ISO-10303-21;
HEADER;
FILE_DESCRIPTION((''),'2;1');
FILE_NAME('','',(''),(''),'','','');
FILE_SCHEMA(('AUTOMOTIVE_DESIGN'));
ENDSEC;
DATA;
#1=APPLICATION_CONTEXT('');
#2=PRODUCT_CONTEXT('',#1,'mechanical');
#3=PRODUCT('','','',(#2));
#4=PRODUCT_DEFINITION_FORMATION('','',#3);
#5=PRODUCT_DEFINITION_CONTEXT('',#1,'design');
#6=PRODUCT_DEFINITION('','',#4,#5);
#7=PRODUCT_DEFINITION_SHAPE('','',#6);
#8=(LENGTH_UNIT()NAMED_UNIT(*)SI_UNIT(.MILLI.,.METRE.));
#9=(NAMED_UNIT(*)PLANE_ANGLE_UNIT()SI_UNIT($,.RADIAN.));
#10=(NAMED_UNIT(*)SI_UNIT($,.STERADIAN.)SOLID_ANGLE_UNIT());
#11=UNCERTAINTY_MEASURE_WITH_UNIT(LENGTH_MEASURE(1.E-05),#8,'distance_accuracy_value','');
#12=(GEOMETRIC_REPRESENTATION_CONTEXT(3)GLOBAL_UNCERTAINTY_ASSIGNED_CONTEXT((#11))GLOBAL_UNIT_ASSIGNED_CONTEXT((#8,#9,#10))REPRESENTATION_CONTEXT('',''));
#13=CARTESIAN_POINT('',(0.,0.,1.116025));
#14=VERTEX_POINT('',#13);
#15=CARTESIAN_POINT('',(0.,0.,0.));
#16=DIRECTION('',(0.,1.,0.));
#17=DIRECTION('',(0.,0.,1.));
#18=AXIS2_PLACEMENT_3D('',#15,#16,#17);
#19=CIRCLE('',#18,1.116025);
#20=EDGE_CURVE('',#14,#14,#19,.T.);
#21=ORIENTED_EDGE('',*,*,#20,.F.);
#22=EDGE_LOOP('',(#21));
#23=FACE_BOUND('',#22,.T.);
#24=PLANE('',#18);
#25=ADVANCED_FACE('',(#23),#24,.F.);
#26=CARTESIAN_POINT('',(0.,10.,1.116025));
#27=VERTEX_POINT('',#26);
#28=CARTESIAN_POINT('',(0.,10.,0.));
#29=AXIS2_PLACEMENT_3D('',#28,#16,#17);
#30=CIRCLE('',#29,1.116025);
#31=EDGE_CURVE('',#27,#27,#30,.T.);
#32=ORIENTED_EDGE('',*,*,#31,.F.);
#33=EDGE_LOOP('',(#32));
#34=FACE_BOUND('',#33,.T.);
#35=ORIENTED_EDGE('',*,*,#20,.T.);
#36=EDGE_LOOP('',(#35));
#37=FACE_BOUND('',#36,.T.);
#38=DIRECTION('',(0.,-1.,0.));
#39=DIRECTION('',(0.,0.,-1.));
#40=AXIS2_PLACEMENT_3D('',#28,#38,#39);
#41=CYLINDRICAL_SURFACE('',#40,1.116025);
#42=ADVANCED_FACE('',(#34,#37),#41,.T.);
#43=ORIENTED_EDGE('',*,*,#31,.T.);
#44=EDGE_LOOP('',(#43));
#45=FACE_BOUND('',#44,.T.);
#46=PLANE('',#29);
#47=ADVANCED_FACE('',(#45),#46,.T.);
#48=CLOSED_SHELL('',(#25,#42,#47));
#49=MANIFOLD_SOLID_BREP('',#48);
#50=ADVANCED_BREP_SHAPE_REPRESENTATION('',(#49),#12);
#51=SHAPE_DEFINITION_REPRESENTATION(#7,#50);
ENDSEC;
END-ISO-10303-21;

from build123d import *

# Parameters (mm, degrees)
SKETCH1_R           = 1.116025404
BOSS_EXTRUDE1_DEPTH = 10


with BuildPart() as part:
    # Sketch1 → Boss-Extrude1 (new body)
    with BuildSketch(Plane(origin=(0, 0, 0), x_dir=(1, 0, 0), z_dir=(0, 1, 0))):
        Circle(SKETCH1_R)
    extrude(amount=BOSS_EXTRUDE1_DEPTH)


solid = part.part
